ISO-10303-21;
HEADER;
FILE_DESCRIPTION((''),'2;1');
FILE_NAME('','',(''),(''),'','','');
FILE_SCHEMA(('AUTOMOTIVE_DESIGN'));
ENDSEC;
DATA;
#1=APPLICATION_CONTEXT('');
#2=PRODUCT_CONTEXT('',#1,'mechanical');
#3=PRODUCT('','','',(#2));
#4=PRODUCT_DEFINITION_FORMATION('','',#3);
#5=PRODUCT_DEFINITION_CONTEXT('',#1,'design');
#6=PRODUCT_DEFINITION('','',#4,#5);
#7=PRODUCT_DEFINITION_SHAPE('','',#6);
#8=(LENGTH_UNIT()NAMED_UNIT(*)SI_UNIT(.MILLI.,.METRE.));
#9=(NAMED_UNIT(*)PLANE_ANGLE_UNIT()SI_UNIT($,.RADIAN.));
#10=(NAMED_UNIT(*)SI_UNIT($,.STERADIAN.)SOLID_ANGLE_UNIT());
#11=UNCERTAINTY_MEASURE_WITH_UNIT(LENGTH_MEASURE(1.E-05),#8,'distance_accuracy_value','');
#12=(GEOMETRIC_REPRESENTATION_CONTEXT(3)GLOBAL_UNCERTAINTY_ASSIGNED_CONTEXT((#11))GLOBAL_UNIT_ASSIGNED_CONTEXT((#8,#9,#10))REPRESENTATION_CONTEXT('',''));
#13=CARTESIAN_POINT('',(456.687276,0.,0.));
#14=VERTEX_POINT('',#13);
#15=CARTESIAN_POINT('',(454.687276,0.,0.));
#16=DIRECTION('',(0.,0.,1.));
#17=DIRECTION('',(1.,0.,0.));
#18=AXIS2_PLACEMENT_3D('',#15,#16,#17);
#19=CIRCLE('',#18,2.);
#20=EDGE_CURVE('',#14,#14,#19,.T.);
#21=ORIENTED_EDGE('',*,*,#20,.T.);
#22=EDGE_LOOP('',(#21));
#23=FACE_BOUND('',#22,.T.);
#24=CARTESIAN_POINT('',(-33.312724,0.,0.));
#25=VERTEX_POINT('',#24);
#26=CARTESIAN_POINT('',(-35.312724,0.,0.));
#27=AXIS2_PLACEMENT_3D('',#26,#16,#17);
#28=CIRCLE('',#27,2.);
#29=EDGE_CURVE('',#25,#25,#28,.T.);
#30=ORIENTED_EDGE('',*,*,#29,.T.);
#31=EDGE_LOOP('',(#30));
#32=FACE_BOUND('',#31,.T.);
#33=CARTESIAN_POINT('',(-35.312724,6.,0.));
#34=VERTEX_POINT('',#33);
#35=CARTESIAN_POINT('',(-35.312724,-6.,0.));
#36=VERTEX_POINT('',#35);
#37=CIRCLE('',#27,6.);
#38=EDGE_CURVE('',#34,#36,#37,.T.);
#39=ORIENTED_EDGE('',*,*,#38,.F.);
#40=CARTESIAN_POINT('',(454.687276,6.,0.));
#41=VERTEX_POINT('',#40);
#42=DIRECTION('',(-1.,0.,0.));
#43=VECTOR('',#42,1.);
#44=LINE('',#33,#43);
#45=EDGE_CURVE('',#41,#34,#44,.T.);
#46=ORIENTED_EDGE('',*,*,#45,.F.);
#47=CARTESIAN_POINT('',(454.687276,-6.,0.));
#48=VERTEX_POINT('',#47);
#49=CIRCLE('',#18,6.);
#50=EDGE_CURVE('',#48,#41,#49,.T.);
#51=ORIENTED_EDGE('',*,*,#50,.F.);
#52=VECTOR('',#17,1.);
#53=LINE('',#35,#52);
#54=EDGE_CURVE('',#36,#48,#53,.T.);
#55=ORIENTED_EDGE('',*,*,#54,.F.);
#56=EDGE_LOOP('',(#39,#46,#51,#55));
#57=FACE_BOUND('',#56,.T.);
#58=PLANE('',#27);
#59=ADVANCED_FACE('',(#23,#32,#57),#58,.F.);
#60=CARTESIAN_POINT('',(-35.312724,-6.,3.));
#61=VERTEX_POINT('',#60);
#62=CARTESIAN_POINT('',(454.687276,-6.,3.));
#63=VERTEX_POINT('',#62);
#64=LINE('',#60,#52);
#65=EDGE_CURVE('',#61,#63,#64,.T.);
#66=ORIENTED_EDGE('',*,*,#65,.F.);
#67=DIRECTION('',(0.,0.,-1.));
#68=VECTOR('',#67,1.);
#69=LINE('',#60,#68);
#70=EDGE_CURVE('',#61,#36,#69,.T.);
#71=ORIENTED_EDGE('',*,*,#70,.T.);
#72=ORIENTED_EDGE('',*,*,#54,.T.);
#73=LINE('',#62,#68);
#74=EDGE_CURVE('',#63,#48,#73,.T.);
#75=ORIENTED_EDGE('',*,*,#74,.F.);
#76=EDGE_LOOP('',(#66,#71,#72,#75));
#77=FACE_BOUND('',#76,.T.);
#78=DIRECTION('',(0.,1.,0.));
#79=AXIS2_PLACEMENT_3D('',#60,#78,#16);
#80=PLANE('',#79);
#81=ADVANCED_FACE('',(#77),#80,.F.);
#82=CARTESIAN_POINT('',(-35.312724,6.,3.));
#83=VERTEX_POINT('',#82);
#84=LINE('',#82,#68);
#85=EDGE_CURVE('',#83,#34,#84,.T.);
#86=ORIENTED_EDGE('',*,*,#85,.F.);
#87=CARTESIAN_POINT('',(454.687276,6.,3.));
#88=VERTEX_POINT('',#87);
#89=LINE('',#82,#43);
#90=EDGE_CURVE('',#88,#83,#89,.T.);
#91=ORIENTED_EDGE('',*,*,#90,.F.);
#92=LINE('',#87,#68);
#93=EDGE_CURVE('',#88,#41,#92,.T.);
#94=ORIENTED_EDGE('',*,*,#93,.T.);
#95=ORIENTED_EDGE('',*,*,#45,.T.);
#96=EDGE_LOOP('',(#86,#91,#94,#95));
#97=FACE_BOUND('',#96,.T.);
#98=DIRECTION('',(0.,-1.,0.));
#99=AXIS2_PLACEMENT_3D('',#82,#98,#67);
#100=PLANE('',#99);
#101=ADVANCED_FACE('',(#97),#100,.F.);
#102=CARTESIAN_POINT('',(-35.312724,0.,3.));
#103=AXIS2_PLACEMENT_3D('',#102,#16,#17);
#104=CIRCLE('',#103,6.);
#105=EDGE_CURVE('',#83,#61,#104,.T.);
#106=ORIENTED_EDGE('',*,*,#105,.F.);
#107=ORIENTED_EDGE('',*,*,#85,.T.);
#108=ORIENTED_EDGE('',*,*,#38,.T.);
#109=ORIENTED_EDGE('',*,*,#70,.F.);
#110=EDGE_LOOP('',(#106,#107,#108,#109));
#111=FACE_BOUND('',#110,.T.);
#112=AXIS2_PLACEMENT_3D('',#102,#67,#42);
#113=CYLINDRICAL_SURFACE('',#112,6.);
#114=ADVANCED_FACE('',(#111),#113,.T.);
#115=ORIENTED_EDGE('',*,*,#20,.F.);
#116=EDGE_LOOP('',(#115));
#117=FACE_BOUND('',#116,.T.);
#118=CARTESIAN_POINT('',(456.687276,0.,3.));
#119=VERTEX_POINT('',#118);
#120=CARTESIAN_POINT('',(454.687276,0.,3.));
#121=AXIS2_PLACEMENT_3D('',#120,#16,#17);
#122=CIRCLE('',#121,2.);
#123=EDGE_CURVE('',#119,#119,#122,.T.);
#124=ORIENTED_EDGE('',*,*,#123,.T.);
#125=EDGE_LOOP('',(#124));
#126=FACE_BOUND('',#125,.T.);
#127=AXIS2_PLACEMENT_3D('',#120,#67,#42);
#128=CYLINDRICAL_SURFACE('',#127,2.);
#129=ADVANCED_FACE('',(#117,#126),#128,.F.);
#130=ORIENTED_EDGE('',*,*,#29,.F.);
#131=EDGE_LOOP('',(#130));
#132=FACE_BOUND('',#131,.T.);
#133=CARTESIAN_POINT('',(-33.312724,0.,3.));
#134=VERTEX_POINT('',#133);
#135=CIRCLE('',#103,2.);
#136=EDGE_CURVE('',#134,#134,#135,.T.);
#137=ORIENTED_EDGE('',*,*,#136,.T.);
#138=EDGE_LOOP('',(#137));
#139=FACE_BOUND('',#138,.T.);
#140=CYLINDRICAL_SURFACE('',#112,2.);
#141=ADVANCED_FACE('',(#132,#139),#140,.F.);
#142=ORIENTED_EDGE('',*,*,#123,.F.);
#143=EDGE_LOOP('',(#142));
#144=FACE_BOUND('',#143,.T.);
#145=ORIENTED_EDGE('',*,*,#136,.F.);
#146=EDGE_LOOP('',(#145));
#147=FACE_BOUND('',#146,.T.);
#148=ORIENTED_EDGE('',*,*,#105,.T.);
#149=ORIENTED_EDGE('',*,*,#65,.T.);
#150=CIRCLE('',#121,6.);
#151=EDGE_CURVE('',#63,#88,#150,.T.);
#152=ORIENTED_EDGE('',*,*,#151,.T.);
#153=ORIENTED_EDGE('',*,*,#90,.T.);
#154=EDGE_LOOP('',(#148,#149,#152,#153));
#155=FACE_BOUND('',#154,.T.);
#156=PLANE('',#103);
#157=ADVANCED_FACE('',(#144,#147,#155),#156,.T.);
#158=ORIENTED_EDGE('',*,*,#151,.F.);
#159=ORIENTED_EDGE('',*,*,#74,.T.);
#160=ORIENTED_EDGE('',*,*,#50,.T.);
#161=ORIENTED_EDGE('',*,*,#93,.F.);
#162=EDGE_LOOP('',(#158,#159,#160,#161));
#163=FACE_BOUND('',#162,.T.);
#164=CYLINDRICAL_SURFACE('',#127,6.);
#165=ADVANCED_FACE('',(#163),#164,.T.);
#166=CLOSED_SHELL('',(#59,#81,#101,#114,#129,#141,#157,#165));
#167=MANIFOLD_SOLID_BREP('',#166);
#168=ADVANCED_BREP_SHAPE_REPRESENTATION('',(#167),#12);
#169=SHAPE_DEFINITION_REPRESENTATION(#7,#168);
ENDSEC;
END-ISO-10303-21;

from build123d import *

# Parameters (mm, degrees)
SKETCH1_R           = 2
BOSS_EXTRUDE3_DEPTH = 3


with BuildPart() as part:
    # Sketch1 → Boss-Extrude3 (new body)
    with BuildSketch(Plane.XY):
        with BuildLine():
            Line((-35.312724167, 6), (454.687275833, 6))
            ThreePointArc((454.687275833, 6), (460.687275833, 0), (454.687275833, -6))
            Line((454.687275833, -6), (-35.312724167, -6))
            ThreePointArc((-35.312724167, -6), (-41.312724167, 0), (-35.312724167, 6))
        make_face()
        with Locations((-35.312724167, 0)):
            Circle(SKETCH1_R, mode=Mode.SUBTRACT)
        with Locations((454.687275833, 0)):
            Circle(SKETCH1_R, mode=Mode.SUBTRACT)
    extrude(amount=BOSS_EXTRUDE3_DEPTH)


solid = part.part
